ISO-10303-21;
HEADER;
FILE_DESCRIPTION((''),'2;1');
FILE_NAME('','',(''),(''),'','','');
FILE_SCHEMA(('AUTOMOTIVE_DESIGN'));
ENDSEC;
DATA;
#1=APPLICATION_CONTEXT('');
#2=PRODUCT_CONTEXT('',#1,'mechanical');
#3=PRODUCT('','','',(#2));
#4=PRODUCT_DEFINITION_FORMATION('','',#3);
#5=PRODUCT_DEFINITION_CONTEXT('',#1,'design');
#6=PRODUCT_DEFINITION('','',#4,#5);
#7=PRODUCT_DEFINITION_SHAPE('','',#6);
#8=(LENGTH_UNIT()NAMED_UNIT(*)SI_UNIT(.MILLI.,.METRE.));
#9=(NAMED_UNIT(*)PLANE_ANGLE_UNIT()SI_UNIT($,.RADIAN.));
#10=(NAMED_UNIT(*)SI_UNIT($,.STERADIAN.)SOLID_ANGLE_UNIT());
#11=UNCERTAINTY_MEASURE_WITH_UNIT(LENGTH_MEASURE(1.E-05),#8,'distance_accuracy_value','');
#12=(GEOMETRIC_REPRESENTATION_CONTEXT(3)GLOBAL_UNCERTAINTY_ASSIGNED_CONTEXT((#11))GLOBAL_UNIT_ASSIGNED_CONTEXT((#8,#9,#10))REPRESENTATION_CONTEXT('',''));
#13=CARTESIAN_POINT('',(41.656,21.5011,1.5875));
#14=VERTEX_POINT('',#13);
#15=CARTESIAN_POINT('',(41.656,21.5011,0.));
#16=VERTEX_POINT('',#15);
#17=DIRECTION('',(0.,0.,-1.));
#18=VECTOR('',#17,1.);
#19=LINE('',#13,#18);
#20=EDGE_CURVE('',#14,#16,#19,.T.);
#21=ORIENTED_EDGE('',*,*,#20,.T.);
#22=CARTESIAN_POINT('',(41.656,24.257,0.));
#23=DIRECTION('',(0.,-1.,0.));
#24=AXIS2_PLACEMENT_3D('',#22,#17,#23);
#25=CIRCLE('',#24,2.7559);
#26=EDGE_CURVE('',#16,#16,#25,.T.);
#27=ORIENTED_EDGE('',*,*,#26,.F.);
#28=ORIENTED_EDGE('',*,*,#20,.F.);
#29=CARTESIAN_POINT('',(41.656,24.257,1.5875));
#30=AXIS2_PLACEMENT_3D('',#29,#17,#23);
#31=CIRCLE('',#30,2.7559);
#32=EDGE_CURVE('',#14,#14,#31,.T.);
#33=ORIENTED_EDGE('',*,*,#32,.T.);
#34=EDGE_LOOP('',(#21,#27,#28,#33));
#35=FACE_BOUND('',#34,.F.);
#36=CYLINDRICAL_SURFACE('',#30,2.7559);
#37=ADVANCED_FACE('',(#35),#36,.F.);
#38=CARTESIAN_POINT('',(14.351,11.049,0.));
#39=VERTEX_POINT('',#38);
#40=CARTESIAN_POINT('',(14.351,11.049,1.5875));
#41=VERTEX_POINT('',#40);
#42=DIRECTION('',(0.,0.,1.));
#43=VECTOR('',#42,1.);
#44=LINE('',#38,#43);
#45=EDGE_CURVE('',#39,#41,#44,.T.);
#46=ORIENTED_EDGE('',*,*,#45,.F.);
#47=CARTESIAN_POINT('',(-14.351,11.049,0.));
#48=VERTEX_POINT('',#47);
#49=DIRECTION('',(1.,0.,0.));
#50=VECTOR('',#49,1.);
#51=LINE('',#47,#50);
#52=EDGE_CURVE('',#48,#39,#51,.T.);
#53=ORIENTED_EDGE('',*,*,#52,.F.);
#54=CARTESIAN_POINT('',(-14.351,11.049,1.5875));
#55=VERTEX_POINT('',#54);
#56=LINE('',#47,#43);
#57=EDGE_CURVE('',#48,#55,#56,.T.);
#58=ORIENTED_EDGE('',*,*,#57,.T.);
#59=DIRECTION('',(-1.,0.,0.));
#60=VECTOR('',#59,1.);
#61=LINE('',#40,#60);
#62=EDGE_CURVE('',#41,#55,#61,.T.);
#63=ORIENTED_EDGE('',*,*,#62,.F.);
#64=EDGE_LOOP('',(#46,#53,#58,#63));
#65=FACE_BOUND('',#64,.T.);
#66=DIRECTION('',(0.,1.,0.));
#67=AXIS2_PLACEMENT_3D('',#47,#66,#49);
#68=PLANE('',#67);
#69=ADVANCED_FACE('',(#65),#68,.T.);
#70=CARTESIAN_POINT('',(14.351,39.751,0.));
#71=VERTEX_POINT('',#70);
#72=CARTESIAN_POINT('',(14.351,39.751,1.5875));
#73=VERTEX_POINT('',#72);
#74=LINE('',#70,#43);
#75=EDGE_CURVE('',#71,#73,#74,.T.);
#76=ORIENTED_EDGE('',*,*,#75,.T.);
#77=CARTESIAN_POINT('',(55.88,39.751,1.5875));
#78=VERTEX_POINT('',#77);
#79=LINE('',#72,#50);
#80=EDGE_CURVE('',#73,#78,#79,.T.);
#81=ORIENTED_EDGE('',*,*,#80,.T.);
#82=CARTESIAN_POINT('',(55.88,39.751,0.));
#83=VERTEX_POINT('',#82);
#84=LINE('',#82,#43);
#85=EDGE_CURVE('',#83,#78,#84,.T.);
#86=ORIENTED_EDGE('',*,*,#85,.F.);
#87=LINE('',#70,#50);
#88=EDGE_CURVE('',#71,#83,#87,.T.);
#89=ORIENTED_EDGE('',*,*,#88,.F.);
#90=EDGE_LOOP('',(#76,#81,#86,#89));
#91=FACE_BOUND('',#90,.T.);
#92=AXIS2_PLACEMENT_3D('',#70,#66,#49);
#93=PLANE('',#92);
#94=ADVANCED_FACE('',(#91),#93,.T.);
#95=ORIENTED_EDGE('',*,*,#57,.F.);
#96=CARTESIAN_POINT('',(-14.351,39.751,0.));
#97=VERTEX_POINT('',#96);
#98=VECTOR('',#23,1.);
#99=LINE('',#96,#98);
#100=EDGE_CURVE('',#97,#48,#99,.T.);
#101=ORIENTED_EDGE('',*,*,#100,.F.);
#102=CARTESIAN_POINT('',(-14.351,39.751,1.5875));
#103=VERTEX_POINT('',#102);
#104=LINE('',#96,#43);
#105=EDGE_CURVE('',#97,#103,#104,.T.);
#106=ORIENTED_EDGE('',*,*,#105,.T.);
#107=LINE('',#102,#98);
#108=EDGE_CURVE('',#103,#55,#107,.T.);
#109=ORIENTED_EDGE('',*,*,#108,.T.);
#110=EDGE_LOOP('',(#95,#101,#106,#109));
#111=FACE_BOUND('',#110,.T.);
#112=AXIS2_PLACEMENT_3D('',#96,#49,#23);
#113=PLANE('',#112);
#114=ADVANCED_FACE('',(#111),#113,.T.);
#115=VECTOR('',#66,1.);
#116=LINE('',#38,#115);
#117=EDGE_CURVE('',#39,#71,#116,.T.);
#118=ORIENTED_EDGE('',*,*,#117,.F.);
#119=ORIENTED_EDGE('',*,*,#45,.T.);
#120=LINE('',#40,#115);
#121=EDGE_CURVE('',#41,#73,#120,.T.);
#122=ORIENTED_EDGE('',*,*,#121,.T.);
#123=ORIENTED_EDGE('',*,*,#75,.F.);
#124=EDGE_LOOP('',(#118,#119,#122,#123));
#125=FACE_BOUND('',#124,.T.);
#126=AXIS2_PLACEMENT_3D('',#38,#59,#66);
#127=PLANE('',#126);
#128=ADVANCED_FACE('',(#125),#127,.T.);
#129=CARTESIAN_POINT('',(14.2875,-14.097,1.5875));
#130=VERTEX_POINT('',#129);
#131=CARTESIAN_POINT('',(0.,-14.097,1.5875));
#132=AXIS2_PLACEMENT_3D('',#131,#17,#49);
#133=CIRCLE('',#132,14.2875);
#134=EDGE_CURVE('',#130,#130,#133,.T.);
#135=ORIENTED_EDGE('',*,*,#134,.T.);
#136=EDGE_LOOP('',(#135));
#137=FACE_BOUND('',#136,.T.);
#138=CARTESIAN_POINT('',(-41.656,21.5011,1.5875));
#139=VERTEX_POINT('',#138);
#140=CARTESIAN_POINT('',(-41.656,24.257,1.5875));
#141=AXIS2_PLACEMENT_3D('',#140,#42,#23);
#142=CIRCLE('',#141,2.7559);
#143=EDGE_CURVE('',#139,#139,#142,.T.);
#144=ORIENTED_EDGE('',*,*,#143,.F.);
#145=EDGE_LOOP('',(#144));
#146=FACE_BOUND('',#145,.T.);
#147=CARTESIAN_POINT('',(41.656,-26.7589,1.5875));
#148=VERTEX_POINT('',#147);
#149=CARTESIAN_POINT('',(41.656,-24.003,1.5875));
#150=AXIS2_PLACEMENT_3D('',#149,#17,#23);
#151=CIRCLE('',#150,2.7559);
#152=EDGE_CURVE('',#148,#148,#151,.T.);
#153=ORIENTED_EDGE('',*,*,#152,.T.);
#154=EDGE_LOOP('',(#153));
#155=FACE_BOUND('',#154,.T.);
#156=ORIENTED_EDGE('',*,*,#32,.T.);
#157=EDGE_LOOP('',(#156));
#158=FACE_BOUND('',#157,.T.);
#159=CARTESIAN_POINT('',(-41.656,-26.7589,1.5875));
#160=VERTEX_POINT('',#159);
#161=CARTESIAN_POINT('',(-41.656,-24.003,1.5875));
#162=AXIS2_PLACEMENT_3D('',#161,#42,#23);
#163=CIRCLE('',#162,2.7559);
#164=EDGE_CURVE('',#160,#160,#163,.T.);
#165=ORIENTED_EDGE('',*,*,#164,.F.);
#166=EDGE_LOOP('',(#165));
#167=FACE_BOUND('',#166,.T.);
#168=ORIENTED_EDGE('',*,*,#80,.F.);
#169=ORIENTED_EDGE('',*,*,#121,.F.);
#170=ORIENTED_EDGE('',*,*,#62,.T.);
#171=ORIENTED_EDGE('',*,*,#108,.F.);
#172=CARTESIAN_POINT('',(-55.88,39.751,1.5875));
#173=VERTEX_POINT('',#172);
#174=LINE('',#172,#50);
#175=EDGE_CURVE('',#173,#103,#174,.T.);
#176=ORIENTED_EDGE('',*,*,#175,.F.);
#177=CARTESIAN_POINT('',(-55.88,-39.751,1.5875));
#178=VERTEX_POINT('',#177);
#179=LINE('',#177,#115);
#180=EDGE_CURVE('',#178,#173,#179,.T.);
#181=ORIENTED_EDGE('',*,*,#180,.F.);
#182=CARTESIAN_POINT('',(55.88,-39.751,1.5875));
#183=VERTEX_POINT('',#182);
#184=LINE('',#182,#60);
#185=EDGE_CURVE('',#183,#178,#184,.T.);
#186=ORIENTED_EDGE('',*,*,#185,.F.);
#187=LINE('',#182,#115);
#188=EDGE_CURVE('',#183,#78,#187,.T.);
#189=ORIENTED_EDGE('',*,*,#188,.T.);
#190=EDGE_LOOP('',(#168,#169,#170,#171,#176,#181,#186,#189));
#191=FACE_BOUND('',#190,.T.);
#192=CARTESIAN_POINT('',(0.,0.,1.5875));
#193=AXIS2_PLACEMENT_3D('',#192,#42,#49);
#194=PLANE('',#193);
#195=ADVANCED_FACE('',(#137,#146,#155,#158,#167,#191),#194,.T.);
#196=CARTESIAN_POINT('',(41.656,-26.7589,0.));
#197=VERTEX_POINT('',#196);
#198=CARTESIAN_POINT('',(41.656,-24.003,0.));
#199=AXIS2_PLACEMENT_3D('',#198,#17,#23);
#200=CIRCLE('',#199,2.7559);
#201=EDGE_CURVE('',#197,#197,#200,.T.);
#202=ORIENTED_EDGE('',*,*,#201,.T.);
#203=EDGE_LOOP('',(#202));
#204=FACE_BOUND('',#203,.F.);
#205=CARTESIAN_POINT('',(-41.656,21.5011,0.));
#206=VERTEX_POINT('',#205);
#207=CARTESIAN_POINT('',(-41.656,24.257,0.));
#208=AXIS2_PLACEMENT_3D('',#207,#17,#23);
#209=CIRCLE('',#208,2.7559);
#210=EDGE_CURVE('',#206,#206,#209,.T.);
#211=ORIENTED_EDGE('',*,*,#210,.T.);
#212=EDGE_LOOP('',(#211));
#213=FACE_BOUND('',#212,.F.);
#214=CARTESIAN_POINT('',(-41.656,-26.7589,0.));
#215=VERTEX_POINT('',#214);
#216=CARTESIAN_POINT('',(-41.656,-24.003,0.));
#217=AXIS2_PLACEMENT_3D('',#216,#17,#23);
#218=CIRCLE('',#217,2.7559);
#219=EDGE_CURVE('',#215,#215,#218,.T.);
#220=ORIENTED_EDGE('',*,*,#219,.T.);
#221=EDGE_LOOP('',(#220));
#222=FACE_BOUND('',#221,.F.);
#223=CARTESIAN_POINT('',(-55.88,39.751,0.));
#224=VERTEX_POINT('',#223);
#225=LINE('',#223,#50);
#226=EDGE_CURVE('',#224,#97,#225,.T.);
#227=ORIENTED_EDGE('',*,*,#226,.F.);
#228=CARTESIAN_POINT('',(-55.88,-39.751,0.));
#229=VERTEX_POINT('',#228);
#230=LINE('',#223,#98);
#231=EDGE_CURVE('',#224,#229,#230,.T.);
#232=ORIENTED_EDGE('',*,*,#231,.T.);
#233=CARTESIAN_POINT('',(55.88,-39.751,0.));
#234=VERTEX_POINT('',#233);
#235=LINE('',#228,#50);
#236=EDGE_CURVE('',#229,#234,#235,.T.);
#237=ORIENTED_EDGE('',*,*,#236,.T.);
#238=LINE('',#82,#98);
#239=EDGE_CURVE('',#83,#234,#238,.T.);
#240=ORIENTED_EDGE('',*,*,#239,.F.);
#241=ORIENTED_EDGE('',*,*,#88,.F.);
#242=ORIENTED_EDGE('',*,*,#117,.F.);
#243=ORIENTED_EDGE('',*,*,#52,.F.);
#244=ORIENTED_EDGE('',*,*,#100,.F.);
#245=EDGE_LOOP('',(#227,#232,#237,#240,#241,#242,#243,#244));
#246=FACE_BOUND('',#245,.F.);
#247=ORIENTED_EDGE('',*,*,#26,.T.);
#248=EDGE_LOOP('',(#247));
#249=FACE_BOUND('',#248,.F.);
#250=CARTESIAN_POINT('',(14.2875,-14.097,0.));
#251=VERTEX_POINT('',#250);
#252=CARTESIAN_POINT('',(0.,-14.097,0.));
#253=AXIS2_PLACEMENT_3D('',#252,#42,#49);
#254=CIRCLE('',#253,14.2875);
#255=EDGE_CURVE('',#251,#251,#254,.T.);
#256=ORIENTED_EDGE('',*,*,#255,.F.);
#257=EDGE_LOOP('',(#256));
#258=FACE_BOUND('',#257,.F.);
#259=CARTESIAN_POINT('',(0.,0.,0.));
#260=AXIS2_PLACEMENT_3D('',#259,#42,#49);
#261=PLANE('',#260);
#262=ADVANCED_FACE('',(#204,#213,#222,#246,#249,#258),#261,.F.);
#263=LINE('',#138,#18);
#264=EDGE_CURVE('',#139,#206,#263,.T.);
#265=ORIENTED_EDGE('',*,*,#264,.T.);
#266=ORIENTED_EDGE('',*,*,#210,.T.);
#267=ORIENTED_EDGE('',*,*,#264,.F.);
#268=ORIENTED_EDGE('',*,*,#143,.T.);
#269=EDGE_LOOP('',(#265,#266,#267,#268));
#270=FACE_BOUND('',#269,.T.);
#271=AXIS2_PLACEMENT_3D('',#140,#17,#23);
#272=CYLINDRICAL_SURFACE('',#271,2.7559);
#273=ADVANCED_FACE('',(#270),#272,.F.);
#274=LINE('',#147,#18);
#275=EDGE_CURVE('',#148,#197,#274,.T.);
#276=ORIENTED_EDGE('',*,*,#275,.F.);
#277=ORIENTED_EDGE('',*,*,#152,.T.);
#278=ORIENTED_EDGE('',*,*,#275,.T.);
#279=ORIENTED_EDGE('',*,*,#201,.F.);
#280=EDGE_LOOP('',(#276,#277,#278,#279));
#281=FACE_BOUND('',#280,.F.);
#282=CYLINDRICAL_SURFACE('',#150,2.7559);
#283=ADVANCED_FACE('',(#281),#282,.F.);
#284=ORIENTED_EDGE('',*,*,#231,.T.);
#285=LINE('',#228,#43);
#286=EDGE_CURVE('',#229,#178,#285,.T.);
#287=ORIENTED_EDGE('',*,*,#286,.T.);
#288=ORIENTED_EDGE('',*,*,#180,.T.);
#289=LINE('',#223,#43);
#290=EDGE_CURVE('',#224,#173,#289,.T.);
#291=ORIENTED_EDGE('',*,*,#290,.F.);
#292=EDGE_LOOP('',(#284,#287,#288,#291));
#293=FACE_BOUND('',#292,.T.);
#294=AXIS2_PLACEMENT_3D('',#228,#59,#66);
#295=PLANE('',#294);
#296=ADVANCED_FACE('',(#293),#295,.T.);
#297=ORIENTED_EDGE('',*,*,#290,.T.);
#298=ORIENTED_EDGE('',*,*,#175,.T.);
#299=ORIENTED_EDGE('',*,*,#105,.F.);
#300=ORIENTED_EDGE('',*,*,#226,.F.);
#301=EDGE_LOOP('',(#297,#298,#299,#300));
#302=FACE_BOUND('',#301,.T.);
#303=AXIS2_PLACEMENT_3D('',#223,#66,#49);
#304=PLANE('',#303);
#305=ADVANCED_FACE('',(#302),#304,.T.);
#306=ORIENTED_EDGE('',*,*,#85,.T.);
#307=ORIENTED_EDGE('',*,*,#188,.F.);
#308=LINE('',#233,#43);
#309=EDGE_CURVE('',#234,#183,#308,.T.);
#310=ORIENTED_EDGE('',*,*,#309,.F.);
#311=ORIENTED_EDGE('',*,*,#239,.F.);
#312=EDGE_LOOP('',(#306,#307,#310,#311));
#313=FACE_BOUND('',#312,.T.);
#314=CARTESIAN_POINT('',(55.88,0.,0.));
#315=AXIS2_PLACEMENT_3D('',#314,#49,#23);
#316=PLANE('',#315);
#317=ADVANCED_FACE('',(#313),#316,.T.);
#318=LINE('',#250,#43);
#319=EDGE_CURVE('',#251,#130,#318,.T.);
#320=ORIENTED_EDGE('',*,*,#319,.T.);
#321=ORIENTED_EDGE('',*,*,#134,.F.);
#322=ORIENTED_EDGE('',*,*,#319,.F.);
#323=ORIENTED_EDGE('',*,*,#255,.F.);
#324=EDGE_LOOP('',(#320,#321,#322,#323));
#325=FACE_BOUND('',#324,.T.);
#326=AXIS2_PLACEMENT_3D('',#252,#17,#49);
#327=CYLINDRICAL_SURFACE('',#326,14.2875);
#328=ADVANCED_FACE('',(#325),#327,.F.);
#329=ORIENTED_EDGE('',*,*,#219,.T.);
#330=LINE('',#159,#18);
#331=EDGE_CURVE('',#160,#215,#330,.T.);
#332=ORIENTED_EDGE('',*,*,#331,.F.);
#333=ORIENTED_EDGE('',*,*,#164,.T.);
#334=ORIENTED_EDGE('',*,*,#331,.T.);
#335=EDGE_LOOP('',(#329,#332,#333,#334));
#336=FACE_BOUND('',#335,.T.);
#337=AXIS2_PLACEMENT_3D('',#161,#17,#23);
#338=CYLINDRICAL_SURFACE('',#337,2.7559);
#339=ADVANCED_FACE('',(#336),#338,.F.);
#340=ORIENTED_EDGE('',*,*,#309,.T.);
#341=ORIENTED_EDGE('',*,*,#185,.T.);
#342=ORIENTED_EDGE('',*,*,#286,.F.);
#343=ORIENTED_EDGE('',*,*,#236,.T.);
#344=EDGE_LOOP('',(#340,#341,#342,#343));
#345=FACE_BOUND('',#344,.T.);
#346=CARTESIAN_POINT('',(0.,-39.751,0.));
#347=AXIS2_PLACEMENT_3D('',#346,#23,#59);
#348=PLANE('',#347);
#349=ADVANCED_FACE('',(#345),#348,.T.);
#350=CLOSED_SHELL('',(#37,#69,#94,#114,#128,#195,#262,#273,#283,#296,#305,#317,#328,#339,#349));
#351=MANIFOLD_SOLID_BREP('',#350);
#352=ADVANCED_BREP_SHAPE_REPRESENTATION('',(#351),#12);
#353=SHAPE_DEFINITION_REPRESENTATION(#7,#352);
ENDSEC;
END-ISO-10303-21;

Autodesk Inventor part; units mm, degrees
ref_plane "YZ Plane" through (0, 0, 0) normal (1, 0, 0) x (0, 1, 0)
ref_plane "XZ Plane" through (0, 0, 0) normal (0, 1, 0) x (-1, 0, 0)
ref_plane "XY Plane" through (0, 0, 0) normal (0, 0, 1) x (1, 0, 0)
sketch "Sketch1" plane through (0, 0, 0) normal (0, 0, 1) x (1, 0, 0)
  line L0 (0, -55.6514) -> (0, 55.6514) projected
  line L1 (55.88, 39.751) -> (55.88, -39.751)
  line L2 (55.88, -39.751) -> (-55.88, -39.751)
  line L3 (-55.88, -39.751) -> (-55.88, 39.751)
  line L4 (-78.232, 0) -> (78.232, 0) projected
  line L5 (-14.351, 39.751) -> (-14.351, 11.049)
  line L6 (-14.351, 11.049) -> (14.351, 11.049)
  line L7 (14.351, 11.049) -> (14.351, 39.751)
  line L8 (-55.88, 39.751) -> (-14.351, 39.751)
  line L9 (14.351, 39.751) -> (55.88, 39.751)
  line L10 (0, -39.751) -> (0, -14.097)
  circle A0 centre (0, -14.097) radius 14.2875
  point P0 (0, 0)
  dimension "d0" = 111.76
  dimension "d1" = 79.502
  dimension "d2" = 28.702
  dimension "d3" = 28.702
  dimension "d4" = 25.654
  dimension "d5" = 28.575
extrude "Extrusion1" add sketch "Sketch1" along normal blind 1.5875 contours L2 L3 L4 A0 L0 | L0 A0 L4 L1 L2 | L4 L3 L8 L5 L6 L0 A0 | L4 A0 L0 L6 L7 L9 L1
sketch "Sketch2" plane through (0, 0, 1.5875) normal (0, 0, 1) x (1, 0, 0)
  line L0 (55.88, -39.751) -> (55.88, 39.751) projected
  line L1 (-55.88, -39.751) -> (55.88, -39.751) projected
  point P0 (0, 0)
  point P1 (41.656, 24.257)
  point P2 (41.656, -24.003)
  dimension "d15" = 48.26
  dimension "d16" = 14.224
  dimension "d17" = 14.224
  dimension "d18" = 15.748
hole "Hole1" at (41.656, 24.257, 1.5875) at (41.656, -24.003, 1.5875) direction (0, 0, -1) diameter 5.5118 end through all clearance for "Flat Head Machine Screw" size "M5" standard "Ansi Metric M Profile"
mirror "Mirror1" about plane through (0, 0, 0) normal (1, 0, 0) of "Hole1"
properties part number "DIFF_PLATE_ROD_H"
